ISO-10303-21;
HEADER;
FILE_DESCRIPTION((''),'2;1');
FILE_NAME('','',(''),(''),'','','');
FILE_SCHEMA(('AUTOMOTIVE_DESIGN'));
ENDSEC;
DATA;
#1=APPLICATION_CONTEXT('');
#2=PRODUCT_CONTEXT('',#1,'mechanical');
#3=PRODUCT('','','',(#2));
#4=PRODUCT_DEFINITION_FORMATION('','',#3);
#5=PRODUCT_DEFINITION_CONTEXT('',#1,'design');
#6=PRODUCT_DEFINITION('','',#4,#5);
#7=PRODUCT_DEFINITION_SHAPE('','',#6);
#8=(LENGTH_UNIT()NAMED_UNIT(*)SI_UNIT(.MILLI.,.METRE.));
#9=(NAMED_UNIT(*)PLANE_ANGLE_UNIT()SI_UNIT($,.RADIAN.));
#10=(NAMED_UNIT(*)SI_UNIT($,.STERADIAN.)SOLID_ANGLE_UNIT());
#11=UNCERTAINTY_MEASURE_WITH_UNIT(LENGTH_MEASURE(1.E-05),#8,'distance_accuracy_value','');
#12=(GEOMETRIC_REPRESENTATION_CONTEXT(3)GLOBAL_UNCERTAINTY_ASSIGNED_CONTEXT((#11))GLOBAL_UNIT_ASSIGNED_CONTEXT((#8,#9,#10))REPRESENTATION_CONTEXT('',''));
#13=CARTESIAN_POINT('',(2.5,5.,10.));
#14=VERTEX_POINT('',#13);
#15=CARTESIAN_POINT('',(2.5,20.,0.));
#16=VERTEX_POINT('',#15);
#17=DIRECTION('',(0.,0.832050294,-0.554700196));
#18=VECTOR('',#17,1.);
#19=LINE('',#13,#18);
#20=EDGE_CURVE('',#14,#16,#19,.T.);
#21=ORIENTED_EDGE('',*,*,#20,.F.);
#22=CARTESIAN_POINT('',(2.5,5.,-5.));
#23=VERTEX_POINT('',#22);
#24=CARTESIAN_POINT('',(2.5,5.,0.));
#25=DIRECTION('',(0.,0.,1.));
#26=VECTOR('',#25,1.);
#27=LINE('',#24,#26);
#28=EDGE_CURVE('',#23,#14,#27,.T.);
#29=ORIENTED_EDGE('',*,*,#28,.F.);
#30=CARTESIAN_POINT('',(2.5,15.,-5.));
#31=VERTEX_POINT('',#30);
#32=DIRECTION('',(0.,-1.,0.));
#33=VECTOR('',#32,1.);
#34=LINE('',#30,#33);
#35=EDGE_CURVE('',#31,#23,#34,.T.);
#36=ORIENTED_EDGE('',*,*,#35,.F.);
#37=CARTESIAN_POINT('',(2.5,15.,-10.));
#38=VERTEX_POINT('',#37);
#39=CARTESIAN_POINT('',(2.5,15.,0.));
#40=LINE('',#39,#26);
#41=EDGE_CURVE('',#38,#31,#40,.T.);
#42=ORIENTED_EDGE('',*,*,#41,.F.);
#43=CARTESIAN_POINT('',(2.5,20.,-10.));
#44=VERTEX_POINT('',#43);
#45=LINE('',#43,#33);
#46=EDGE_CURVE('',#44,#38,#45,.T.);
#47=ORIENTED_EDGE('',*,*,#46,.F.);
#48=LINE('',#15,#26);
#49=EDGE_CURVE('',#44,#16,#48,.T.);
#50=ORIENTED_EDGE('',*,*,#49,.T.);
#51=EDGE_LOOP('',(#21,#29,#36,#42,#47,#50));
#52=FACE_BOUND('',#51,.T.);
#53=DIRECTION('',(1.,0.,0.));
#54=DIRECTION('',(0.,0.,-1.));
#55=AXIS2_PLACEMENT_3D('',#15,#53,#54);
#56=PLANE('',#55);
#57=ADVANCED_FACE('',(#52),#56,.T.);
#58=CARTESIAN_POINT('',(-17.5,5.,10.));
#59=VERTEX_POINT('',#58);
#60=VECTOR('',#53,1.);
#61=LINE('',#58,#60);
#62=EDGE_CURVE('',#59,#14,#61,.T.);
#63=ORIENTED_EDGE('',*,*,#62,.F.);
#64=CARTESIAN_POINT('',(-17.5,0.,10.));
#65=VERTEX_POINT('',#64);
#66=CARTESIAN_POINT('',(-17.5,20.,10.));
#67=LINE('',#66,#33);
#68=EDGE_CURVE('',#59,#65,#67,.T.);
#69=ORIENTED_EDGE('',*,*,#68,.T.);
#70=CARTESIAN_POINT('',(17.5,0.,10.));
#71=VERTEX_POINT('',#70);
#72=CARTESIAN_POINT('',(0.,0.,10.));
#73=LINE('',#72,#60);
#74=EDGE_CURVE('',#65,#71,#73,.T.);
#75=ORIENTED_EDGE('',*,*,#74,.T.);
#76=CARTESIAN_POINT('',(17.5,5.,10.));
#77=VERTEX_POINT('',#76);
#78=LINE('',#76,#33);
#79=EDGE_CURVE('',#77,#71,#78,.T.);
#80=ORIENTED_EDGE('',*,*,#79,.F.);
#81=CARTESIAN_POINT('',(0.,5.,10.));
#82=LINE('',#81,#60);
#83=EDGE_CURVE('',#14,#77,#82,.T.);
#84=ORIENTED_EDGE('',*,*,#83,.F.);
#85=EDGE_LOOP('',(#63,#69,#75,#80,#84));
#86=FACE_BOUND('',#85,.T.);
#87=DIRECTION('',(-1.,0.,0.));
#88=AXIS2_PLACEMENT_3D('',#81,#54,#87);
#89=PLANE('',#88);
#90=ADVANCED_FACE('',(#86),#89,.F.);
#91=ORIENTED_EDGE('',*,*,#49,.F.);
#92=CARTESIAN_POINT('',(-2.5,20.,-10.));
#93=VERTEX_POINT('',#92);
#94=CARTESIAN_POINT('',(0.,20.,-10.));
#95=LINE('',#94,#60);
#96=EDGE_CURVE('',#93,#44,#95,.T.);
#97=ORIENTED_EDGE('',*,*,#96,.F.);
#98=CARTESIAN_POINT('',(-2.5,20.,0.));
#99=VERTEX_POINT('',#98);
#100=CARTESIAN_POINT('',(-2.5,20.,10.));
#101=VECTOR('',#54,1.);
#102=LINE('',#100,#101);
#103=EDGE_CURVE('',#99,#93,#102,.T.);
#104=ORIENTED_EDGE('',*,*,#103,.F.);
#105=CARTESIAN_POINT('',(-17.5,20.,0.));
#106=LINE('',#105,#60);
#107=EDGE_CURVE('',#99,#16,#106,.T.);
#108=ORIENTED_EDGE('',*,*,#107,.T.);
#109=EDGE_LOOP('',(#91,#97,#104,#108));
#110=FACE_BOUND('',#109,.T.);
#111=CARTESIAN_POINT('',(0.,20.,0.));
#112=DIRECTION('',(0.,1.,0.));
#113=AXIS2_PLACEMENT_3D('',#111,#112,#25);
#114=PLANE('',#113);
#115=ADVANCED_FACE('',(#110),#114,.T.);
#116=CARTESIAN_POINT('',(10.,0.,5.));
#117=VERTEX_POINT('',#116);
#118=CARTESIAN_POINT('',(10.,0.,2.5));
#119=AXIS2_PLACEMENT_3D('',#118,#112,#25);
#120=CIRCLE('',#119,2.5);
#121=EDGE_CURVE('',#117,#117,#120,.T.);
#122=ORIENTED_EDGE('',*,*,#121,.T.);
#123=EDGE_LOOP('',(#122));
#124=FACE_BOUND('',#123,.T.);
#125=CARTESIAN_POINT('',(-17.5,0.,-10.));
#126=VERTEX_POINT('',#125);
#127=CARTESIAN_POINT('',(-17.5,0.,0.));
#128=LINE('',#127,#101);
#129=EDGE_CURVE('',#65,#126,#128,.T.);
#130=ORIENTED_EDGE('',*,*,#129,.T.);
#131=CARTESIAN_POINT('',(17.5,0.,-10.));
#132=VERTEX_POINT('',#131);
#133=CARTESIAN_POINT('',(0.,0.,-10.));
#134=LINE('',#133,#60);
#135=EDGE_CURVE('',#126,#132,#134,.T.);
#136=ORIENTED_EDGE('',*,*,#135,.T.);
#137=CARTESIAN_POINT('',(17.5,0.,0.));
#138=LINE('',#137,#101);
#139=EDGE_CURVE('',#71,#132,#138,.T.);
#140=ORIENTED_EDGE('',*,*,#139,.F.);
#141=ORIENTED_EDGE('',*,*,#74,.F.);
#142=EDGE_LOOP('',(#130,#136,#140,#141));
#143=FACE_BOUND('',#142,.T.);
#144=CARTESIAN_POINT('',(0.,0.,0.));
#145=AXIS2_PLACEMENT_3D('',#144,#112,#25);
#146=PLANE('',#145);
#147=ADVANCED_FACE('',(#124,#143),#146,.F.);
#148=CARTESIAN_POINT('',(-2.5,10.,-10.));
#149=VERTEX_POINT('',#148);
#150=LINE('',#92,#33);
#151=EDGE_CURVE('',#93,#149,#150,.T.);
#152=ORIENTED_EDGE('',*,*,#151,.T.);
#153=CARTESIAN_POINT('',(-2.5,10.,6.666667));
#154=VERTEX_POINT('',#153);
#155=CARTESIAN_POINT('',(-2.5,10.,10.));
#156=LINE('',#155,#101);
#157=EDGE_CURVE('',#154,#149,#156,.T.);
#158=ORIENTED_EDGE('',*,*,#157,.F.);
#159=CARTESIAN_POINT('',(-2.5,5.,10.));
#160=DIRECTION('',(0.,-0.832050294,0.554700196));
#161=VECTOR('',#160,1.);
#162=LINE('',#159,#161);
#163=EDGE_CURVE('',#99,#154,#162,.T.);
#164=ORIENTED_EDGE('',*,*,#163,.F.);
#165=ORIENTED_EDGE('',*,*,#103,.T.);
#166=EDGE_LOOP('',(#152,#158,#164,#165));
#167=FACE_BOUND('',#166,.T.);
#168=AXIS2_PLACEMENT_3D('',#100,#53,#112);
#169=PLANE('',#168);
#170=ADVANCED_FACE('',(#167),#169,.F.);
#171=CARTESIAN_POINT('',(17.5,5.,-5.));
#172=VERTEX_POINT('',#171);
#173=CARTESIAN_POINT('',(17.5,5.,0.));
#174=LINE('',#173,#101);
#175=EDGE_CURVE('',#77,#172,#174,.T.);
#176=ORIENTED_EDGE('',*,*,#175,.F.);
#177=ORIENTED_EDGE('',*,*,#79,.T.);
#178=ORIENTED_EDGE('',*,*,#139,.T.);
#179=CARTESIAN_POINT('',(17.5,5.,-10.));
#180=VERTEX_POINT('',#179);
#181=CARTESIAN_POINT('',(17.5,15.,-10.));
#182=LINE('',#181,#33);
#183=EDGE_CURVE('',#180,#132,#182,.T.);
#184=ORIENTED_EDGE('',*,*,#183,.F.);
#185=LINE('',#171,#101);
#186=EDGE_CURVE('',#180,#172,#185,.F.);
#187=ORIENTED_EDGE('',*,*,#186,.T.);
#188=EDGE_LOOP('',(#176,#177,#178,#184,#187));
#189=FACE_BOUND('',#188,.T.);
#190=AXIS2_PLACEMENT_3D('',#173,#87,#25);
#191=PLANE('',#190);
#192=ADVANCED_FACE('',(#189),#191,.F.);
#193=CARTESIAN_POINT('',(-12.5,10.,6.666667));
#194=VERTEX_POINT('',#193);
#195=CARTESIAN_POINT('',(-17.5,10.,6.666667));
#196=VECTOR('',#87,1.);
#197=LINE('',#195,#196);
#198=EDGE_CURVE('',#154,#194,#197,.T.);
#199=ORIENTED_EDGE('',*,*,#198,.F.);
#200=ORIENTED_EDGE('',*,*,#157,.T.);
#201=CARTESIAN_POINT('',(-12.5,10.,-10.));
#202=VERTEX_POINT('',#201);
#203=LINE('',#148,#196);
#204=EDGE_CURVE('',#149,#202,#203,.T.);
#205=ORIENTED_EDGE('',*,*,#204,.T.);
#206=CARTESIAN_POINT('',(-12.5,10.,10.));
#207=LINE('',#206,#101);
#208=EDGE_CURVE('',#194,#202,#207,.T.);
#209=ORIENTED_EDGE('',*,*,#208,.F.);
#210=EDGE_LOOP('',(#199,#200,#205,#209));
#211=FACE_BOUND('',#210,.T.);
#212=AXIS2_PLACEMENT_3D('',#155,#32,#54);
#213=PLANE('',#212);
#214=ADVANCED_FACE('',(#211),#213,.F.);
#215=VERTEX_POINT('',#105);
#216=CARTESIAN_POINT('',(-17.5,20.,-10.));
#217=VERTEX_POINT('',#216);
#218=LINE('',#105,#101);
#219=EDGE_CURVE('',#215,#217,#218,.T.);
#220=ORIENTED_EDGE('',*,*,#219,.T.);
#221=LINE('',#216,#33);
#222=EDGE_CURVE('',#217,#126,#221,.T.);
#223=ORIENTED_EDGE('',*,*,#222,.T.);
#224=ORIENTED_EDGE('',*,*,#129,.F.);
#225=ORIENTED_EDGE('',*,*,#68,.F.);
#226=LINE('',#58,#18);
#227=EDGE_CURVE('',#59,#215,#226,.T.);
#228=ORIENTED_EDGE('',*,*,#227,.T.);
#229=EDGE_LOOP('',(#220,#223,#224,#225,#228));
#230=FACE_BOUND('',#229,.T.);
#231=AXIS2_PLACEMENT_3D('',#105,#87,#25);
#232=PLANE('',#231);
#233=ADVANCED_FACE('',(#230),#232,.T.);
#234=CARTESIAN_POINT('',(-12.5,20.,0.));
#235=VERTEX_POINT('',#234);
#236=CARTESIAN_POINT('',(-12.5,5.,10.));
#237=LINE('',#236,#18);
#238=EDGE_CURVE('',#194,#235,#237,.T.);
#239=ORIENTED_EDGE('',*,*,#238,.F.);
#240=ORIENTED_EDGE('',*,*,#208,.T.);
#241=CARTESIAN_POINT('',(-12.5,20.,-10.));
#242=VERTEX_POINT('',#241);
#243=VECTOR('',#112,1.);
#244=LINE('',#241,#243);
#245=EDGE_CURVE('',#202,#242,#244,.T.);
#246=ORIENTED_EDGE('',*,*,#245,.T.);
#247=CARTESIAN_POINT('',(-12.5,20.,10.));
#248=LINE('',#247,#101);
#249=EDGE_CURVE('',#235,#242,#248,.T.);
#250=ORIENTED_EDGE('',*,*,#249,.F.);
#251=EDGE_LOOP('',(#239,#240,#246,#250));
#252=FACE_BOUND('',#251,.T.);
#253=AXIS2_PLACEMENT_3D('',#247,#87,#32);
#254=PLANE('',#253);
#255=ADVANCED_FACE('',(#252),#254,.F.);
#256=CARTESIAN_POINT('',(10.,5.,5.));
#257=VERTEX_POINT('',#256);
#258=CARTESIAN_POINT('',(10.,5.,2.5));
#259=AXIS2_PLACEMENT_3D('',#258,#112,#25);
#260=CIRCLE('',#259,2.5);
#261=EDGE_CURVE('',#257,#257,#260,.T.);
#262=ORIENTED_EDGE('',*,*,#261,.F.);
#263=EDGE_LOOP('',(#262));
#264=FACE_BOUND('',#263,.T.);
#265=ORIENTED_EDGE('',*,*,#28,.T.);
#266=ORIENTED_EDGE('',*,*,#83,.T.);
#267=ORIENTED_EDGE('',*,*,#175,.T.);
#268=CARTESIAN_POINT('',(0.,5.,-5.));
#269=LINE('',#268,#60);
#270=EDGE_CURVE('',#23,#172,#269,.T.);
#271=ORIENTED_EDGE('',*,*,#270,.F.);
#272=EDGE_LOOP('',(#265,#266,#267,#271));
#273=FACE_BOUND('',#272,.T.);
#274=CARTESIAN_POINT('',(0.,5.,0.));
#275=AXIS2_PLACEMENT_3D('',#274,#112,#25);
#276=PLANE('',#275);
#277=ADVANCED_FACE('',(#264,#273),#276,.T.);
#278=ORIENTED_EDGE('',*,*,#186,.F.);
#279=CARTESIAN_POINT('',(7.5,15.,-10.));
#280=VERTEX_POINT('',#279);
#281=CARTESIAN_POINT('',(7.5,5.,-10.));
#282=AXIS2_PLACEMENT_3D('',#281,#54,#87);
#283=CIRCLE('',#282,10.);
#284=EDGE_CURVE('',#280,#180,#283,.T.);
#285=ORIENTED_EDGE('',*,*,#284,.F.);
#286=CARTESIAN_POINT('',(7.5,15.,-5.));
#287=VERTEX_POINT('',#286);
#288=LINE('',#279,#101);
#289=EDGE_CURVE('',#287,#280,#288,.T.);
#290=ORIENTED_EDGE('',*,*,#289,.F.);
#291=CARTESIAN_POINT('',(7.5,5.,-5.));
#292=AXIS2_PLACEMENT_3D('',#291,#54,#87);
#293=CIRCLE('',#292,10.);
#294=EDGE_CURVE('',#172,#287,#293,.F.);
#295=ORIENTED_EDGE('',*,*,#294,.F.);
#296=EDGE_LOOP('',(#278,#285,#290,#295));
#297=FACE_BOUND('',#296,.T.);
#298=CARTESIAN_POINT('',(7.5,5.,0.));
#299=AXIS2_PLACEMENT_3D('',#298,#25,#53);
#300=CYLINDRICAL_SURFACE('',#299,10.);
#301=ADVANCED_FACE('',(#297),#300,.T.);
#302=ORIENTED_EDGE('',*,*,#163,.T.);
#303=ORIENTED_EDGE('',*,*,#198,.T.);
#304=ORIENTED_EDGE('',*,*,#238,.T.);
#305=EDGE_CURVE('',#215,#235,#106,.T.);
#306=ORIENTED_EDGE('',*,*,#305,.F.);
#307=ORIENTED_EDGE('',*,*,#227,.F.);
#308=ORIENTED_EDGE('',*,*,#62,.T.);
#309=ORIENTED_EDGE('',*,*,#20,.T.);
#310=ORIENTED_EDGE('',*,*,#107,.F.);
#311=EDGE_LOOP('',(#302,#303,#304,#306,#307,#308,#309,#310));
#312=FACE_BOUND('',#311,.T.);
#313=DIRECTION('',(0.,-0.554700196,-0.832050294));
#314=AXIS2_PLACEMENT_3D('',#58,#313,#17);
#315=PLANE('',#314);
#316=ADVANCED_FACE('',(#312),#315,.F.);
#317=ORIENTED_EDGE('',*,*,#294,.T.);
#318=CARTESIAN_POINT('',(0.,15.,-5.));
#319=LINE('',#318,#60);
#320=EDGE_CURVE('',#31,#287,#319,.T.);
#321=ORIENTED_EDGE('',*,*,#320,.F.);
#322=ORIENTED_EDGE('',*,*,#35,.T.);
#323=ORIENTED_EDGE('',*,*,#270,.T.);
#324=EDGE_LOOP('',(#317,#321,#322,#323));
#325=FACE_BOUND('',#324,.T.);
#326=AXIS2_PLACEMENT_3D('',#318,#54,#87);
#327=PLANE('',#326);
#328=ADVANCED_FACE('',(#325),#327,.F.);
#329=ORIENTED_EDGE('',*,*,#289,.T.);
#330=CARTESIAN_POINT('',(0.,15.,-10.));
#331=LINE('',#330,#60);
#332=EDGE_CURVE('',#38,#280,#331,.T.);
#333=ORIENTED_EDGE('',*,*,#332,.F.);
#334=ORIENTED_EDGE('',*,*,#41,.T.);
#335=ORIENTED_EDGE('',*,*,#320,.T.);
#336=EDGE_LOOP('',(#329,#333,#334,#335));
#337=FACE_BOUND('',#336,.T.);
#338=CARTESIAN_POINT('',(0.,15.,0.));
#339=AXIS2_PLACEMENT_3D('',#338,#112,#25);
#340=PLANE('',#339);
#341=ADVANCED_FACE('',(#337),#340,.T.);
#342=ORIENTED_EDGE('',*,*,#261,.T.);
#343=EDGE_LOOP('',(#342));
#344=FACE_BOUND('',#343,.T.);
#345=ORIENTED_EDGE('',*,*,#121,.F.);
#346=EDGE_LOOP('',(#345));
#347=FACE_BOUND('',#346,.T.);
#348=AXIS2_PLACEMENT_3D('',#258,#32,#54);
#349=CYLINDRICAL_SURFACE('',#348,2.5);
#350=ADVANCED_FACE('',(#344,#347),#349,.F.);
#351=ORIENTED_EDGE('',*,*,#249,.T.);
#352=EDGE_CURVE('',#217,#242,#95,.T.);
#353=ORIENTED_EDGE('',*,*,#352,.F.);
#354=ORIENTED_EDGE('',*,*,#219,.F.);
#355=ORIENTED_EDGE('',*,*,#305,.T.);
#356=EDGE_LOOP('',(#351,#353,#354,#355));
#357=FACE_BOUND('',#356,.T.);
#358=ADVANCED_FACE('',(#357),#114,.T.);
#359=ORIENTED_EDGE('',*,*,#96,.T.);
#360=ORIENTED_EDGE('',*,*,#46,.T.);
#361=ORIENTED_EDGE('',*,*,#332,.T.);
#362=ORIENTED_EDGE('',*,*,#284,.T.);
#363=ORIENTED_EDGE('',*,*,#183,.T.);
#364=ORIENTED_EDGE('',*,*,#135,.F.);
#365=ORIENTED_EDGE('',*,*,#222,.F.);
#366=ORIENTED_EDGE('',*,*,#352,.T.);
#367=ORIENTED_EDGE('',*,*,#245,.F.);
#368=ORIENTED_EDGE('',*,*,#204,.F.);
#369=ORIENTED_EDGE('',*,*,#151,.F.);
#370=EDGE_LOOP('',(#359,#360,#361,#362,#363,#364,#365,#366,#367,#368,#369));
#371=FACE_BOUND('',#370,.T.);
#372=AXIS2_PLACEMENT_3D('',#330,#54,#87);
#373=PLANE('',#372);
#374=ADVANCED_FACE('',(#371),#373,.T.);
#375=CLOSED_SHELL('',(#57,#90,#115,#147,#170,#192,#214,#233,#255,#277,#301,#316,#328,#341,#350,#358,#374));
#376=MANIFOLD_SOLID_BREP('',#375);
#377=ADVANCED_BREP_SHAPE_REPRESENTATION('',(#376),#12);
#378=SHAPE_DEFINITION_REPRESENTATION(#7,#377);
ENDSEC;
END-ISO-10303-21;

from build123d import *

# Parameters (mm, degrees)
SKETCH_1_W          = 15
SKETCH_1_H          = 15
SKETCH_1_R          = 2.5
EXTRUDE_1_DEPTH     = 5
SKETCH_1_3_W        = 15
SKETCH_1_3_H        = 5
EXTRUDE_2_DEPTH     = 15
EXTRUDE_3_DEPTH     = 20
CUT_EXTRUDE_1_DEPTH = 20
SKETCH_3_W          = 10
SKETCH_3_H          = 10
CUT_EXTRUDE_2_DEPTH = 20
FILLET_1_R          = 10


with BuildPart() as part:
    # 草圖1 → 填料-伸長1 (new body)
    with BuildSketch(Plane(origin=(0, 0, 0), x_dir=(1, 0, 0), z_dir=(0, 1, 0))):
        with Locations((10, -2.5)):
            Rectangle(SKETCH_1_W, SKETCH_1_H)
        with Locations((10, -2.5)):
            Circle(SKETCH_1_R, mode=Mode.SUBTRACT)
    extrude(amount=EXTRUDE_1_DEPTH)

    # 草圖1<3> → 填料-伸長2 (add)
    with BuildSketch(Plane(origin=(0, 0, 0), x_dir=(1, 0, 0), z_dir=(0, 1, 0))):
        with Locations((10, 7.5)):
            Rectangle(SKETCH_1_3_W, SKETCH_1_3_H)
    extrude(amount=EXTRUDE_2_DEPTH)

    # 草圖1<4> → 填料-伸長3 (add)
    with BuildSketch(Plane(origin=(0, 0, 0), x_dir=(1, 0, 0), z_dir=(0, 1, 0))):
        Polygon((-17.5, 10), (-17.5, -10), (2.5, -10), (2.5, 5), (2.5, 10), align=None)
    extrude(amount=EXTRUDE_3_DEPTH)

    # 草圖2 → 除料-伸長1 (cut)
    with BuildSketch(Plane(origin=(2.5, 0, 0), x_dir=(0, 0, -1), z_dir=(1, 0, 0))):
        Polygon((-10, 5), (0, 20), (-10, 20), align=None)
    extrude(amount=-CUT_EXTRUDE_1_DEPTH, mode=Mode.SUBTRACT)

    # 草圖3 → 除料-伸長2 (cut)
    with BuildSketch(Plane(origin=(0, 0, -10), x_dir=(-1, 0, 0), z_dir=(0, 0, -1))):
        with Locations((7.5, 15)):
            Rectangle(SKETCH_3_W, SKETCH_3_H)
    extrude(amount=-CUT_EXTRUDE_2_DEPTH, mode=Mode.SUBTRACT)

    # 圓角1
    fillet_1_edges = [part.edges().sort_by_distance(p)[0] for p in [
        (17.5, 15, -7.5),
    ]]
    fillet(fillet_1_edges, radius=FILLET_1_R)


solid = part.part
